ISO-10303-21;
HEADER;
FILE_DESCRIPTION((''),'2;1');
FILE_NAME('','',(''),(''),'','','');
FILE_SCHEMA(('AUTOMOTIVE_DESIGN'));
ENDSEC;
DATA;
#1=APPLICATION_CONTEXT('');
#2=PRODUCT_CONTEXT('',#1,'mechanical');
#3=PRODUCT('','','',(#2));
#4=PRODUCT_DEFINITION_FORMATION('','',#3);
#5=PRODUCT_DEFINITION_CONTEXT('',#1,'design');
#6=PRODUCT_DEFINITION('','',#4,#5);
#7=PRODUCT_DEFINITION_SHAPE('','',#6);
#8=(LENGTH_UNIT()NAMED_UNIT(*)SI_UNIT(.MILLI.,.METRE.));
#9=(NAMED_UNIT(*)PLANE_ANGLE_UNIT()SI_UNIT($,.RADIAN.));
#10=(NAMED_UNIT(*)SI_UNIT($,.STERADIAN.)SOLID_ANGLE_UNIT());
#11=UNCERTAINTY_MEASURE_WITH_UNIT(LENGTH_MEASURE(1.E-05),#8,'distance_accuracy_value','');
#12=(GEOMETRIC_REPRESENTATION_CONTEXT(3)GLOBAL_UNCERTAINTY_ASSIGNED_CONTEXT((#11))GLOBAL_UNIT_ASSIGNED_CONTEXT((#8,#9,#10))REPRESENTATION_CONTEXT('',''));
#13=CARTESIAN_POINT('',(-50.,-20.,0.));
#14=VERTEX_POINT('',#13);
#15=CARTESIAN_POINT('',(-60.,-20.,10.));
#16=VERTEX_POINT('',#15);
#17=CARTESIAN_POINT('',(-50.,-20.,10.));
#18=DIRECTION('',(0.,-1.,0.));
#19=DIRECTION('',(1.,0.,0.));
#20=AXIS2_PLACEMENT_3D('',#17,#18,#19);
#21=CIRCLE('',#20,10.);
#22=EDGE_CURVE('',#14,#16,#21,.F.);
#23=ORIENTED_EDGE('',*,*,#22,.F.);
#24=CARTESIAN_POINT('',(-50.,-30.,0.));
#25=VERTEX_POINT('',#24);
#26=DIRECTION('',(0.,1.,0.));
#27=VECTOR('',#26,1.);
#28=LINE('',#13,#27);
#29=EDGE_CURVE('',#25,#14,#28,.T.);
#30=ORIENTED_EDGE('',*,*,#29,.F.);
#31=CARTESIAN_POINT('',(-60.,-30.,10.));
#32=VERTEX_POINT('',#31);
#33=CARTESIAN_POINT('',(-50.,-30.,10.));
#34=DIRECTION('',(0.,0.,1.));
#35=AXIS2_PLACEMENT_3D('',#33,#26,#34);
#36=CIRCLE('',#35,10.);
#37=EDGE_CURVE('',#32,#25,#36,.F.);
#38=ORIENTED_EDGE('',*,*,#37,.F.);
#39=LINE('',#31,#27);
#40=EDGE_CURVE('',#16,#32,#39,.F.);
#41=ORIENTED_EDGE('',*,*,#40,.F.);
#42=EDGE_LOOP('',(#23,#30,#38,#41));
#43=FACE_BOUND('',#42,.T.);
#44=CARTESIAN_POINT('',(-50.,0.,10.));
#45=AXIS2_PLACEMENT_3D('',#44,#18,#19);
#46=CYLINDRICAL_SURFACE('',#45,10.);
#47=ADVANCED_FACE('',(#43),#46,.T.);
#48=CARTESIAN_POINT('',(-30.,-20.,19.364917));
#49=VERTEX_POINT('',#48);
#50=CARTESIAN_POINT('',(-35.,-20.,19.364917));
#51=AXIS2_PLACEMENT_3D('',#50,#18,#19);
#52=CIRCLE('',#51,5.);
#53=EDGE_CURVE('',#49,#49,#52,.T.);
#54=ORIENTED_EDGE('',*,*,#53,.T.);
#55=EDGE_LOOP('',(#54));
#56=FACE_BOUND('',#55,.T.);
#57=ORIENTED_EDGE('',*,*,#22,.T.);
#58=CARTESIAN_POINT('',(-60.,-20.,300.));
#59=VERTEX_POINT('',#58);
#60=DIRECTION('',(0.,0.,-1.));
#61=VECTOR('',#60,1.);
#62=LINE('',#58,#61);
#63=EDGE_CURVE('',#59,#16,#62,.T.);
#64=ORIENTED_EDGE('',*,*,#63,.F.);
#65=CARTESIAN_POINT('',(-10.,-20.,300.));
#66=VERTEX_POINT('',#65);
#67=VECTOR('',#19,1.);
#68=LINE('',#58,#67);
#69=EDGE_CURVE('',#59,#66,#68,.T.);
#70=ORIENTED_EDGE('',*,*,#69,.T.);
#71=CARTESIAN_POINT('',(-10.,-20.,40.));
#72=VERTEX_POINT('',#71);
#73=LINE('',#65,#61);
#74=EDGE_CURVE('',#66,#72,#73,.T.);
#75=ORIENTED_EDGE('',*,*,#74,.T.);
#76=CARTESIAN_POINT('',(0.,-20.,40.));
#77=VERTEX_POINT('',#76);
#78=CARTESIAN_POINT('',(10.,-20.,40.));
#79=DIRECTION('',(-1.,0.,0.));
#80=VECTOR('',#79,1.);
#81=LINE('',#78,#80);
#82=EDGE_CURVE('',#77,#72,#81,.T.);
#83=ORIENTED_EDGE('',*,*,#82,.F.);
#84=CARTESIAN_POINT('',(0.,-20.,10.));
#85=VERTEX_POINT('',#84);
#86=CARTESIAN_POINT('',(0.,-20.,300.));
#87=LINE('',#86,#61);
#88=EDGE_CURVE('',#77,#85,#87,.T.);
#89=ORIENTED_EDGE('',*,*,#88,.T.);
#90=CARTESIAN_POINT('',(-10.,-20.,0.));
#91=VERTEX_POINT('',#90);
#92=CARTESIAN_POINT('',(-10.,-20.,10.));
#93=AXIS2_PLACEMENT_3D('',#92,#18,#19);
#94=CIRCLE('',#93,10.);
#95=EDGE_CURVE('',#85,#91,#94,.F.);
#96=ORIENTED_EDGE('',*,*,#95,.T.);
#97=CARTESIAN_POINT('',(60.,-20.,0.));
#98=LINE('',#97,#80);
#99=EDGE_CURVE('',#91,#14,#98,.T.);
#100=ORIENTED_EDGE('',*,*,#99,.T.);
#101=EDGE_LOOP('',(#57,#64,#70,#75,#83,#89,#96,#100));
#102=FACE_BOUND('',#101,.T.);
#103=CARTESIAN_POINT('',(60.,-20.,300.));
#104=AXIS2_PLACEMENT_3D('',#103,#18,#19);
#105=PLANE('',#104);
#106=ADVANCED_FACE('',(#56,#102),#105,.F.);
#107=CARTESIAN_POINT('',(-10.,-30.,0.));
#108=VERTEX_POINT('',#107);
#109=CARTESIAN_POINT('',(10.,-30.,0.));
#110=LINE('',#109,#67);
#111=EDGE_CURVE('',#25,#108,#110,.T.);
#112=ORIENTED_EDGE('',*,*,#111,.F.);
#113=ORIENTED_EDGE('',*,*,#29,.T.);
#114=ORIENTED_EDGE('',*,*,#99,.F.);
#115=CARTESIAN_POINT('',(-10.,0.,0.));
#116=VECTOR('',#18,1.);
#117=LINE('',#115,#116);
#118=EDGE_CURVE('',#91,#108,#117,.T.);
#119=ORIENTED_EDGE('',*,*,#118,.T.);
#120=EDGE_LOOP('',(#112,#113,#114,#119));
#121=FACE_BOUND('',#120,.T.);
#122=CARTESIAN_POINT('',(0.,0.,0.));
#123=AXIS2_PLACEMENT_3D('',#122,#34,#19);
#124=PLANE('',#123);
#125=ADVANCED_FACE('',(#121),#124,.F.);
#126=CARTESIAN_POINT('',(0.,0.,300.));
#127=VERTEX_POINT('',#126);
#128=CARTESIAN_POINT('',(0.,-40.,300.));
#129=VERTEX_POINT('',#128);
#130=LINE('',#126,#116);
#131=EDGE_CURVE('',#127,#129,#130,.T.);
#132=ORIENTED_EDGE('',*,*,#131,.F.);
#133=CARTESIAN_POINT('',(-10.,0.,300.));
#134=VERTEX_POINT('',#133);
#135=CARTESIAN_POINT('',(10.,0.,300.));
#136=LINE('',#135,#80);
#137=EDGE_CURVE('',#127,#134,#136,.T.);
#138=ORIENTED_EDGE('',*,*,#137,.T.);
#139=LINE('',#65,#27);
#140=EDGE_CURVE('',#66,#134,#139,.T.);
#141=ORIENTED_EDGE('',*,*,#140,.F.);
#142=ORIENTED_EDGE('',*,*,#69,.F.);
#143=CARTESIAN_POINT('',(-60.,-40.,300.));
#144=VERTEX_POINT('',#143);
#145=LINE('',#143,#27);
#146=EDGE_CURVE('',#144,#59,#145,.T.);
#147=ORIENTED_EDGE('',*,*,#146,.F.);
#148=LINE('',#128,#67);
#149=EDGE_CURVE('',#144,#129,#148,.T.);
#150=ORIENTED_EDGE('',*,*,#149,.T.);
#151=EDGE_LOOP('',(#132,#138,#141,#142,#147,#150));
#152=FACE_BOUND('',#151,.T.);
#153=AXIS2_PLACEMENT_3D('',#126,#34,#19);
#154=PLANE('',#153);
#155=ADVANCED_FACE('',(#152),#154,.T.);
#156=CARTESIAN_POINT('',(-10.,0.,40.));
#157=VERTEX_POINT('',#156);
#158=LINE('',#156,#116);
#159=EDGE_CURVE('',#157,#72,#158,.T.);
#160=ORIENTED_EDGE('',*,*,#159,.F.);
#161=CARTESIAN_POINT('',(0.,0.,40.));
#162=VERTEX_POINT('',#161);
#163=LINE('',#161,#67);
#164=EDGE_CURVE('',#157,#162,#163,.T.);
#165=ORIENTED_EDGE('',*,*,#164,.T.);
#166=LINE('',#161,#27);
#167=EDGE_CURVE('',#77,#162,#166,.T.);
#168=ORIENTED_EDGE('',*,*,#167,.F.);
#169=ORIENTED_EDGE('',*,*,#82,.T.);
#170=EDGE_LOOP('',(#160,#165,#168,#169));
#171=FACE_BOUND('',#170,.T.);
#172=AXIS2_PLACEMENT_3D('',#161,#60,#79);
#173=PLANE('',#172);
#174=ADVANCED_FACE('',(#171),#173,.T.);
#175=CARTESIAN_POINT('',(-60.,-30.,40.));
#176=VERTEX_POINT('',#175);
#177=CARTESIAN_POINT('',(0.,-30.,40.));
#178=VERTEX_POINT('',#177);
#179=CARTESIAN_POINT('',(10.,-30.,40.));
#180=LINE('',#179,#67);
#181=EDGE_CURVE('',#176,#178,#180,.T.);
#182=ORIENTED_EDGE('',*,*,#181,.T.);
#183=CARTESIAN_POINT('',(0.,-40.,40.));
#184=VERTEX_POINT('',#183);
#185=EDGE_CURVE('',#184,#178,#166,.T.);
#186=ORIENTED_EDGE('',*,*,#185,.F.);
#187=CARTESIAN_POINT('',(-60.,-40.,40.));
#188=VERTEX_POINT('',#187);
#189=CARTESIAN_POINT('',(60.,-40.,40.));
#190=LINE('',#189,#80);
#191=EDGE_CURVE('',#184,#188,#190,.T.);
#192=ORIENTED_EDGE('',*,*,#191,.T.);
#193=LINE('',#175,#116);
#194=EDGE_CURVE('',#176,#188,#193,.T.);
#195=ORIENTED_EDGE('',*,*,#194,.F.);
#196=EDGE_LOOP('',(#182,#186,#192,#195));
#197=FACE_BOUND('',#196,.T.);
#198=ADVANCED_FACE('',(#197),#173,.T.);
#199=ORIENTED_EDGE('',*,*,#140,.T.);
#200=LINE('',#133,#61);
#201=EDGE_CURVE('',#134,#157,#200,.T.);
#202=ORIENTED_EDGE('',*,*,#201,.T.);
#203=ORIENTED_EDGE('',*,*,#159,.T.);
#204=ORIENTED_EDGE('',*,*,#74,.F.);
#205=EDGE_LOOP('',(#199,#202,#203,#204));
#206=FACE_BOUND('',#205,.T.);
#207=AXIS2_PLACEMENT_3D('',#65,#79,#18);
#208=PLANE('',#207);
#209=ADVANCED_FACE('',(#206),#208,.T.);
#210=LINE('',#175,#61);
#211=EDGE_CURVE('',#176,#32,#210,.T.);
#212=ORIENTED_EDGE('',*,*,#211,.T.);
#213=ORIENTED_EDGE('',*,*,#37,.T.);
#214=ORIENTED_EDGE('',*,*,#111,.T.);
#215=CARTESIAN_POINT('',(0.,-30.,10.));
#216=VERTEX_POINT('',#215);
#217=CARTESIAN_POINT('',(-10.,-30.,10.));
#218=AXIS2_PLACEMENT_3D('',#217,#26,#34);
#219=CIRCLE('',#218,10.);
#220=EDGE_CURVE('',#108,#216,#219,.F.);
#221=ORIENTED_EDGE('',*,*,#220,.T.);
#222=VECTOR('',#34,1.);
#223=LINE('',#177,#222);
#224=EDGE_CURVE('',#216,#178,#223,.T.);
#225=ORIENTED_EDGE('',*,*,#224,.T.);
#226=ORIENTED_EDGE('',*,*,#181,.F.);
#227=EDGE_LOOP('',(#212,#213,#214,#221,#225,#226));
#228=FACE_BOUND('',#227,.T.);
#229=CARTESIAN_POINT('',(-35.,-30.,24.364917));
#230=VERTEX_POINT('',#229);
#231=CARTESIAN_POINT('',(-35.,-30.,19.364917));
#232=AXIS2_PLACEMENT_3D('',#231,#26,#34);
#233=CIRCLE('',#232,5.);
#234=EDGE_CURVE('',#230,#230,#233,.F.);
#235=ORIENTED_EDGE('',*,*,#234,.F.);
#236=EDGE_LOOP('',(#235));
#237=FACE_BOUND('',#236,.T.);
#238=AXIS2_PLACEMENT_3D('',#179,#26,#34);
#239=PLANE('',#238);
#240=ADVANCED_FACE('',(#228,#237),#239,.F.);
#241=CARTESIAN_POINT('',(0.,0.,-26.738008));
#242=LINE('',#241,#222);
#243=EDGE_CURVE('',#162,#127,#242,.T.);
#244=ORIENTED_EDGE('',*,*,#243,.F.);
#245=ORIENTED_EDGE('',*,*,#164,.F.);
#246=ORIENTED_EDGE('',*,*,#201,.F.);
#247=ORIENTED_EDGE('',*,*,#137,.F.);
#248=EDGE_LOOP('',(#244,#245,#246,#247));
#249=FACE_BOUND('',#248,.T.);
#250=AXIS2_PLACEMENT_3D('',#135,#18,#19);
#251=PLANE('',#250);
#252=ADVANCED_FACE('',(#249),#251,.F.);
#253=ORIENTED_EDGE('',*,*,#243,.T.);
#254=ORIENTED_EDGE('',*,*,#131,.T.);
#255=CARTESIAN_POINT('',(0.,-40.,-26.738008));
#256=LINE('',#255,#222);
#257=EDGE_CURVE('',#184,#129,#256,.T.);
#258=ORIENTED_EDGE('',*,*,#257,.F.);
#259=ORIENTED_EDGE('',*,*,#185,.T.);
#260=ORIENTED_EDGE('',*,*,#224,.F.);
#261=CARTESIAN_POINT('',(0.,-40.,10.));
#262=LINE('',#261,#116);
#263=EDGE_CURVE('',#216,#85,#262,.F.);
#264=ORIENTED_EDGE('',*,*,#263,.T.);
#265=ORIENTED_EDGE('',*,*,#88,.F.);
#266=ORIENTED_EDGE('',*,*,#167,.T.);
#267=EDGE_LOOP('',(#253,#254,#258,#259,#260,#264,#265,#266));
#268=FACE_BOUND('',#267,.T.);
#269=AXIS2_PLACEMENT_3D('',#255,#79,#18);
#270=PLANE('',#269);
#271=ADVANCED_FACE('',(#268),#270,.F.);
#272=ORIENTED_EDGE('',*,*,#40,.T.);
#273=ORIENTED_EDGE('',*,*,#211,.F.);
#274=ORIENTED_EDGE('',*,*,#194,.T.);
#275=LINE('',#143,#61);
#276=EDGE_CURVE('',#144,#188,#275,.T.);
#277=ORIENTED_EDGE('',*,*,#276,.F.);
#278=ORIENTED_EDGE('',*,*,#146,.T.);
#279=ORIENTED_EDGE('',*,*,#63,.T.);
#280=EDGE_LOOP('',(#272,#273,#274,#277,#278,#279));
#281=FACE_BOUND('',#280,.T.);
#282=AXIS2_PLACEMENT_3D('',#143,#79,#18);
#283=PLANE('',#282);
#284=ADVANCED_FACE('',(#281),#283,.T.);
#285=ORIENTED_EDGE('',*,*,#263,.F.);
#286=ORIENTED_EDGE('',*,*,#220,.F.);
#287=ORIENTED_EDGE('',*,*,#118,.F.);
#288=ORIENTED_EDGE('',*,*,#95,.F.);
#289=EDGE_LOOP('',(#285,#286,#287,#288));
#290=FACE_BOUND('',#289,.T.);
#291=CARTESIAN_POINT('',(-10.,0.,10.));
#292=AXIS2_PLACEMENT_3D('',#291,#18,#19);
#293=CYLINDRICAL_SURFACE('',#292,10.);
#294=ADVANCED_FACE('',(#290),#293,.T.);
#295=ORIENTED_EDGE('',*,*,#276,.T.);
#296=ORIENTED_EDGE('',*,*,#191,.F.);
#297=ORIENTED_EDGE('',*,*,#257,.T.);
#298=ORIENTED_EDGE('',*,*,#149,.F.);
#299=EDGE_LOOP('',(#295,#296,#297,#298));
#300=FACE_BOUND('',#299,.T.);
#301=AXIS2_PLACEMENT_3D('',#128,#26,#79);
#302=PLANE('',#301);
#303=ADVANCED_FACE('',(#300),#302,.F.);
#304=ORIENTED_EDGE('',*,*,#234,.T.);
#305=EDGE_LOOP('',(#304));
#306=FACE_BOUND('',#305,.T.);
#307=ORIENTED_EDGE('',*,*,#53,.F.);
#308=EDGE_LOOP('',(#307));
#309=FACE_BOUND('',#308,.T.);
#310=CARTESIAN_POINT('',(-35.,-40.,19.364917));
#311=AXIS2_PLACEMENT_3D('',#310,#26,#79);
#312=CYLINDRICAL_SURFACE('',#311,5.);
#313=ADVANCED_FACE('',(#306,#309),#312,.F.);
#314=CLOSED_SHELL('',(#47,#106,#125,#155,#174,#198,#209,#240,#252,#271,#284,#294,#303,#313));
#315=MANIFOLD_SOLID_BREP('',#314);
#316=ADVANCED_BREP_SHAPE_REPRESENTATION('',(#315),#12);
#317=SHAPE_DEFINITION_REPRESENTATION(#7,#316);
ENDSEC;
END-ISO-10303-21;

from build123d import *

# Parameters (mm, degrees)
EXTRUDE_1_DEPTH     = 300
SKETCH_2_W          = 10
SKETCH_2_H          = 20
CUT_EXTRUDE_1_DEPTH = 40
SKETCH_4_R          = 5
CUT_EXTRUDE_2_DEPTH = 307.594194335
CUT_EXTRUDE_3_DEPTH = 309.544972411
FILLET_1_R          = 10


with BuildPart() as part:
    # 草图1 → 凸台-拉伸1 (new body)
    with BuildSketch(Plane.XY):
        Polygon((0, 0), (0, -40), (60, -40), (60, -20), (10, -20), (10, 0), align=None)
    extrude_1 = extrude(amount=EXTRUDE_1_DEPTH)

    # 草图2 → 切除-拉伸1 (cut)
    with BuildSketch(Plane(origin=(0, 0, 0), x_dir=(-1, 0, 0), z_dir=(0, 0, -1))):
        with Locations((-5, -10)):
            Rectangle(SKETCH_2_W, SKETCH_2_H)
        Polygon((-10, -30), (0, -30), (0, -40), (-10, -40), (-60, -40), (-60, -30), align=None)
    cut_extrude_1 = extrude(amount=-CUT_EXTRUDE_1_DEPTH, mode=Mode.SUBTRACT)

    # 草图4 → 切除-拉伸2 (cut, symmetric)
    with BuildSketch(Plane(origin=(0, -20, 0), x_dir=(1, 0, 0), z_dir=(0, 1, 0))):
        with Locations(Location((35, -19.364916731, 0), (0, 0, 180))):
            Circle(SKETCH_4_R)
    cut_extrude_2 = extrude(amount=CUT_EXTRUDE_2_DEPTH, both=True, mode=Mode.SUBTRACT)

    # 镜向1: 凸台-拉伸1, 切除-拉伸1, 切除-拉伸2 across plane
    add(extrude_1.mirror(Plane(origin=(0, 0, 300), x_dir=(0, 0, 1), z_dir=(1, 0, 0))))
    add(cut_extrude_1.mirror(Plane(origin=(0, 0, 300), x_dir=(0, 0, 1), z_dir=(1, 0, 0))), mode=Mode.SUBTRACT)
    add(cut_extrude_2.mirror(Plane(origin=(0, 0, 300), x_dir=(0, 0, 1), z_dir=(1, 0, 0))), mode=Mode.SUBTRACT)

    # 草图6 → 切除-拉伸3 (cut, through all)
    with BuildSketch(Plane(origin=(0, 0, 0), x_dir=(1, 0, 0), z_dir=(0, 1, 0))):
        Polygon((0, -314.936962627), (157.439827962, -317.852514996), (163.764973114, 23.705323245), (0, 26.738007932), align=None)
    extrude(amount=-CUT_EXTRUDE_3_DEPTH, mode=Mode.SUBTRACT)

    # 圆角1
    fillet_1_edges = [part.edges().sort_by_distance(p)[0] for p in [
        (0, -25, 0),
        (-60, -25, 0),
    ]]
    fillet(fillet_1_edges, radius=FILLET_1_R)


solid = part.part
